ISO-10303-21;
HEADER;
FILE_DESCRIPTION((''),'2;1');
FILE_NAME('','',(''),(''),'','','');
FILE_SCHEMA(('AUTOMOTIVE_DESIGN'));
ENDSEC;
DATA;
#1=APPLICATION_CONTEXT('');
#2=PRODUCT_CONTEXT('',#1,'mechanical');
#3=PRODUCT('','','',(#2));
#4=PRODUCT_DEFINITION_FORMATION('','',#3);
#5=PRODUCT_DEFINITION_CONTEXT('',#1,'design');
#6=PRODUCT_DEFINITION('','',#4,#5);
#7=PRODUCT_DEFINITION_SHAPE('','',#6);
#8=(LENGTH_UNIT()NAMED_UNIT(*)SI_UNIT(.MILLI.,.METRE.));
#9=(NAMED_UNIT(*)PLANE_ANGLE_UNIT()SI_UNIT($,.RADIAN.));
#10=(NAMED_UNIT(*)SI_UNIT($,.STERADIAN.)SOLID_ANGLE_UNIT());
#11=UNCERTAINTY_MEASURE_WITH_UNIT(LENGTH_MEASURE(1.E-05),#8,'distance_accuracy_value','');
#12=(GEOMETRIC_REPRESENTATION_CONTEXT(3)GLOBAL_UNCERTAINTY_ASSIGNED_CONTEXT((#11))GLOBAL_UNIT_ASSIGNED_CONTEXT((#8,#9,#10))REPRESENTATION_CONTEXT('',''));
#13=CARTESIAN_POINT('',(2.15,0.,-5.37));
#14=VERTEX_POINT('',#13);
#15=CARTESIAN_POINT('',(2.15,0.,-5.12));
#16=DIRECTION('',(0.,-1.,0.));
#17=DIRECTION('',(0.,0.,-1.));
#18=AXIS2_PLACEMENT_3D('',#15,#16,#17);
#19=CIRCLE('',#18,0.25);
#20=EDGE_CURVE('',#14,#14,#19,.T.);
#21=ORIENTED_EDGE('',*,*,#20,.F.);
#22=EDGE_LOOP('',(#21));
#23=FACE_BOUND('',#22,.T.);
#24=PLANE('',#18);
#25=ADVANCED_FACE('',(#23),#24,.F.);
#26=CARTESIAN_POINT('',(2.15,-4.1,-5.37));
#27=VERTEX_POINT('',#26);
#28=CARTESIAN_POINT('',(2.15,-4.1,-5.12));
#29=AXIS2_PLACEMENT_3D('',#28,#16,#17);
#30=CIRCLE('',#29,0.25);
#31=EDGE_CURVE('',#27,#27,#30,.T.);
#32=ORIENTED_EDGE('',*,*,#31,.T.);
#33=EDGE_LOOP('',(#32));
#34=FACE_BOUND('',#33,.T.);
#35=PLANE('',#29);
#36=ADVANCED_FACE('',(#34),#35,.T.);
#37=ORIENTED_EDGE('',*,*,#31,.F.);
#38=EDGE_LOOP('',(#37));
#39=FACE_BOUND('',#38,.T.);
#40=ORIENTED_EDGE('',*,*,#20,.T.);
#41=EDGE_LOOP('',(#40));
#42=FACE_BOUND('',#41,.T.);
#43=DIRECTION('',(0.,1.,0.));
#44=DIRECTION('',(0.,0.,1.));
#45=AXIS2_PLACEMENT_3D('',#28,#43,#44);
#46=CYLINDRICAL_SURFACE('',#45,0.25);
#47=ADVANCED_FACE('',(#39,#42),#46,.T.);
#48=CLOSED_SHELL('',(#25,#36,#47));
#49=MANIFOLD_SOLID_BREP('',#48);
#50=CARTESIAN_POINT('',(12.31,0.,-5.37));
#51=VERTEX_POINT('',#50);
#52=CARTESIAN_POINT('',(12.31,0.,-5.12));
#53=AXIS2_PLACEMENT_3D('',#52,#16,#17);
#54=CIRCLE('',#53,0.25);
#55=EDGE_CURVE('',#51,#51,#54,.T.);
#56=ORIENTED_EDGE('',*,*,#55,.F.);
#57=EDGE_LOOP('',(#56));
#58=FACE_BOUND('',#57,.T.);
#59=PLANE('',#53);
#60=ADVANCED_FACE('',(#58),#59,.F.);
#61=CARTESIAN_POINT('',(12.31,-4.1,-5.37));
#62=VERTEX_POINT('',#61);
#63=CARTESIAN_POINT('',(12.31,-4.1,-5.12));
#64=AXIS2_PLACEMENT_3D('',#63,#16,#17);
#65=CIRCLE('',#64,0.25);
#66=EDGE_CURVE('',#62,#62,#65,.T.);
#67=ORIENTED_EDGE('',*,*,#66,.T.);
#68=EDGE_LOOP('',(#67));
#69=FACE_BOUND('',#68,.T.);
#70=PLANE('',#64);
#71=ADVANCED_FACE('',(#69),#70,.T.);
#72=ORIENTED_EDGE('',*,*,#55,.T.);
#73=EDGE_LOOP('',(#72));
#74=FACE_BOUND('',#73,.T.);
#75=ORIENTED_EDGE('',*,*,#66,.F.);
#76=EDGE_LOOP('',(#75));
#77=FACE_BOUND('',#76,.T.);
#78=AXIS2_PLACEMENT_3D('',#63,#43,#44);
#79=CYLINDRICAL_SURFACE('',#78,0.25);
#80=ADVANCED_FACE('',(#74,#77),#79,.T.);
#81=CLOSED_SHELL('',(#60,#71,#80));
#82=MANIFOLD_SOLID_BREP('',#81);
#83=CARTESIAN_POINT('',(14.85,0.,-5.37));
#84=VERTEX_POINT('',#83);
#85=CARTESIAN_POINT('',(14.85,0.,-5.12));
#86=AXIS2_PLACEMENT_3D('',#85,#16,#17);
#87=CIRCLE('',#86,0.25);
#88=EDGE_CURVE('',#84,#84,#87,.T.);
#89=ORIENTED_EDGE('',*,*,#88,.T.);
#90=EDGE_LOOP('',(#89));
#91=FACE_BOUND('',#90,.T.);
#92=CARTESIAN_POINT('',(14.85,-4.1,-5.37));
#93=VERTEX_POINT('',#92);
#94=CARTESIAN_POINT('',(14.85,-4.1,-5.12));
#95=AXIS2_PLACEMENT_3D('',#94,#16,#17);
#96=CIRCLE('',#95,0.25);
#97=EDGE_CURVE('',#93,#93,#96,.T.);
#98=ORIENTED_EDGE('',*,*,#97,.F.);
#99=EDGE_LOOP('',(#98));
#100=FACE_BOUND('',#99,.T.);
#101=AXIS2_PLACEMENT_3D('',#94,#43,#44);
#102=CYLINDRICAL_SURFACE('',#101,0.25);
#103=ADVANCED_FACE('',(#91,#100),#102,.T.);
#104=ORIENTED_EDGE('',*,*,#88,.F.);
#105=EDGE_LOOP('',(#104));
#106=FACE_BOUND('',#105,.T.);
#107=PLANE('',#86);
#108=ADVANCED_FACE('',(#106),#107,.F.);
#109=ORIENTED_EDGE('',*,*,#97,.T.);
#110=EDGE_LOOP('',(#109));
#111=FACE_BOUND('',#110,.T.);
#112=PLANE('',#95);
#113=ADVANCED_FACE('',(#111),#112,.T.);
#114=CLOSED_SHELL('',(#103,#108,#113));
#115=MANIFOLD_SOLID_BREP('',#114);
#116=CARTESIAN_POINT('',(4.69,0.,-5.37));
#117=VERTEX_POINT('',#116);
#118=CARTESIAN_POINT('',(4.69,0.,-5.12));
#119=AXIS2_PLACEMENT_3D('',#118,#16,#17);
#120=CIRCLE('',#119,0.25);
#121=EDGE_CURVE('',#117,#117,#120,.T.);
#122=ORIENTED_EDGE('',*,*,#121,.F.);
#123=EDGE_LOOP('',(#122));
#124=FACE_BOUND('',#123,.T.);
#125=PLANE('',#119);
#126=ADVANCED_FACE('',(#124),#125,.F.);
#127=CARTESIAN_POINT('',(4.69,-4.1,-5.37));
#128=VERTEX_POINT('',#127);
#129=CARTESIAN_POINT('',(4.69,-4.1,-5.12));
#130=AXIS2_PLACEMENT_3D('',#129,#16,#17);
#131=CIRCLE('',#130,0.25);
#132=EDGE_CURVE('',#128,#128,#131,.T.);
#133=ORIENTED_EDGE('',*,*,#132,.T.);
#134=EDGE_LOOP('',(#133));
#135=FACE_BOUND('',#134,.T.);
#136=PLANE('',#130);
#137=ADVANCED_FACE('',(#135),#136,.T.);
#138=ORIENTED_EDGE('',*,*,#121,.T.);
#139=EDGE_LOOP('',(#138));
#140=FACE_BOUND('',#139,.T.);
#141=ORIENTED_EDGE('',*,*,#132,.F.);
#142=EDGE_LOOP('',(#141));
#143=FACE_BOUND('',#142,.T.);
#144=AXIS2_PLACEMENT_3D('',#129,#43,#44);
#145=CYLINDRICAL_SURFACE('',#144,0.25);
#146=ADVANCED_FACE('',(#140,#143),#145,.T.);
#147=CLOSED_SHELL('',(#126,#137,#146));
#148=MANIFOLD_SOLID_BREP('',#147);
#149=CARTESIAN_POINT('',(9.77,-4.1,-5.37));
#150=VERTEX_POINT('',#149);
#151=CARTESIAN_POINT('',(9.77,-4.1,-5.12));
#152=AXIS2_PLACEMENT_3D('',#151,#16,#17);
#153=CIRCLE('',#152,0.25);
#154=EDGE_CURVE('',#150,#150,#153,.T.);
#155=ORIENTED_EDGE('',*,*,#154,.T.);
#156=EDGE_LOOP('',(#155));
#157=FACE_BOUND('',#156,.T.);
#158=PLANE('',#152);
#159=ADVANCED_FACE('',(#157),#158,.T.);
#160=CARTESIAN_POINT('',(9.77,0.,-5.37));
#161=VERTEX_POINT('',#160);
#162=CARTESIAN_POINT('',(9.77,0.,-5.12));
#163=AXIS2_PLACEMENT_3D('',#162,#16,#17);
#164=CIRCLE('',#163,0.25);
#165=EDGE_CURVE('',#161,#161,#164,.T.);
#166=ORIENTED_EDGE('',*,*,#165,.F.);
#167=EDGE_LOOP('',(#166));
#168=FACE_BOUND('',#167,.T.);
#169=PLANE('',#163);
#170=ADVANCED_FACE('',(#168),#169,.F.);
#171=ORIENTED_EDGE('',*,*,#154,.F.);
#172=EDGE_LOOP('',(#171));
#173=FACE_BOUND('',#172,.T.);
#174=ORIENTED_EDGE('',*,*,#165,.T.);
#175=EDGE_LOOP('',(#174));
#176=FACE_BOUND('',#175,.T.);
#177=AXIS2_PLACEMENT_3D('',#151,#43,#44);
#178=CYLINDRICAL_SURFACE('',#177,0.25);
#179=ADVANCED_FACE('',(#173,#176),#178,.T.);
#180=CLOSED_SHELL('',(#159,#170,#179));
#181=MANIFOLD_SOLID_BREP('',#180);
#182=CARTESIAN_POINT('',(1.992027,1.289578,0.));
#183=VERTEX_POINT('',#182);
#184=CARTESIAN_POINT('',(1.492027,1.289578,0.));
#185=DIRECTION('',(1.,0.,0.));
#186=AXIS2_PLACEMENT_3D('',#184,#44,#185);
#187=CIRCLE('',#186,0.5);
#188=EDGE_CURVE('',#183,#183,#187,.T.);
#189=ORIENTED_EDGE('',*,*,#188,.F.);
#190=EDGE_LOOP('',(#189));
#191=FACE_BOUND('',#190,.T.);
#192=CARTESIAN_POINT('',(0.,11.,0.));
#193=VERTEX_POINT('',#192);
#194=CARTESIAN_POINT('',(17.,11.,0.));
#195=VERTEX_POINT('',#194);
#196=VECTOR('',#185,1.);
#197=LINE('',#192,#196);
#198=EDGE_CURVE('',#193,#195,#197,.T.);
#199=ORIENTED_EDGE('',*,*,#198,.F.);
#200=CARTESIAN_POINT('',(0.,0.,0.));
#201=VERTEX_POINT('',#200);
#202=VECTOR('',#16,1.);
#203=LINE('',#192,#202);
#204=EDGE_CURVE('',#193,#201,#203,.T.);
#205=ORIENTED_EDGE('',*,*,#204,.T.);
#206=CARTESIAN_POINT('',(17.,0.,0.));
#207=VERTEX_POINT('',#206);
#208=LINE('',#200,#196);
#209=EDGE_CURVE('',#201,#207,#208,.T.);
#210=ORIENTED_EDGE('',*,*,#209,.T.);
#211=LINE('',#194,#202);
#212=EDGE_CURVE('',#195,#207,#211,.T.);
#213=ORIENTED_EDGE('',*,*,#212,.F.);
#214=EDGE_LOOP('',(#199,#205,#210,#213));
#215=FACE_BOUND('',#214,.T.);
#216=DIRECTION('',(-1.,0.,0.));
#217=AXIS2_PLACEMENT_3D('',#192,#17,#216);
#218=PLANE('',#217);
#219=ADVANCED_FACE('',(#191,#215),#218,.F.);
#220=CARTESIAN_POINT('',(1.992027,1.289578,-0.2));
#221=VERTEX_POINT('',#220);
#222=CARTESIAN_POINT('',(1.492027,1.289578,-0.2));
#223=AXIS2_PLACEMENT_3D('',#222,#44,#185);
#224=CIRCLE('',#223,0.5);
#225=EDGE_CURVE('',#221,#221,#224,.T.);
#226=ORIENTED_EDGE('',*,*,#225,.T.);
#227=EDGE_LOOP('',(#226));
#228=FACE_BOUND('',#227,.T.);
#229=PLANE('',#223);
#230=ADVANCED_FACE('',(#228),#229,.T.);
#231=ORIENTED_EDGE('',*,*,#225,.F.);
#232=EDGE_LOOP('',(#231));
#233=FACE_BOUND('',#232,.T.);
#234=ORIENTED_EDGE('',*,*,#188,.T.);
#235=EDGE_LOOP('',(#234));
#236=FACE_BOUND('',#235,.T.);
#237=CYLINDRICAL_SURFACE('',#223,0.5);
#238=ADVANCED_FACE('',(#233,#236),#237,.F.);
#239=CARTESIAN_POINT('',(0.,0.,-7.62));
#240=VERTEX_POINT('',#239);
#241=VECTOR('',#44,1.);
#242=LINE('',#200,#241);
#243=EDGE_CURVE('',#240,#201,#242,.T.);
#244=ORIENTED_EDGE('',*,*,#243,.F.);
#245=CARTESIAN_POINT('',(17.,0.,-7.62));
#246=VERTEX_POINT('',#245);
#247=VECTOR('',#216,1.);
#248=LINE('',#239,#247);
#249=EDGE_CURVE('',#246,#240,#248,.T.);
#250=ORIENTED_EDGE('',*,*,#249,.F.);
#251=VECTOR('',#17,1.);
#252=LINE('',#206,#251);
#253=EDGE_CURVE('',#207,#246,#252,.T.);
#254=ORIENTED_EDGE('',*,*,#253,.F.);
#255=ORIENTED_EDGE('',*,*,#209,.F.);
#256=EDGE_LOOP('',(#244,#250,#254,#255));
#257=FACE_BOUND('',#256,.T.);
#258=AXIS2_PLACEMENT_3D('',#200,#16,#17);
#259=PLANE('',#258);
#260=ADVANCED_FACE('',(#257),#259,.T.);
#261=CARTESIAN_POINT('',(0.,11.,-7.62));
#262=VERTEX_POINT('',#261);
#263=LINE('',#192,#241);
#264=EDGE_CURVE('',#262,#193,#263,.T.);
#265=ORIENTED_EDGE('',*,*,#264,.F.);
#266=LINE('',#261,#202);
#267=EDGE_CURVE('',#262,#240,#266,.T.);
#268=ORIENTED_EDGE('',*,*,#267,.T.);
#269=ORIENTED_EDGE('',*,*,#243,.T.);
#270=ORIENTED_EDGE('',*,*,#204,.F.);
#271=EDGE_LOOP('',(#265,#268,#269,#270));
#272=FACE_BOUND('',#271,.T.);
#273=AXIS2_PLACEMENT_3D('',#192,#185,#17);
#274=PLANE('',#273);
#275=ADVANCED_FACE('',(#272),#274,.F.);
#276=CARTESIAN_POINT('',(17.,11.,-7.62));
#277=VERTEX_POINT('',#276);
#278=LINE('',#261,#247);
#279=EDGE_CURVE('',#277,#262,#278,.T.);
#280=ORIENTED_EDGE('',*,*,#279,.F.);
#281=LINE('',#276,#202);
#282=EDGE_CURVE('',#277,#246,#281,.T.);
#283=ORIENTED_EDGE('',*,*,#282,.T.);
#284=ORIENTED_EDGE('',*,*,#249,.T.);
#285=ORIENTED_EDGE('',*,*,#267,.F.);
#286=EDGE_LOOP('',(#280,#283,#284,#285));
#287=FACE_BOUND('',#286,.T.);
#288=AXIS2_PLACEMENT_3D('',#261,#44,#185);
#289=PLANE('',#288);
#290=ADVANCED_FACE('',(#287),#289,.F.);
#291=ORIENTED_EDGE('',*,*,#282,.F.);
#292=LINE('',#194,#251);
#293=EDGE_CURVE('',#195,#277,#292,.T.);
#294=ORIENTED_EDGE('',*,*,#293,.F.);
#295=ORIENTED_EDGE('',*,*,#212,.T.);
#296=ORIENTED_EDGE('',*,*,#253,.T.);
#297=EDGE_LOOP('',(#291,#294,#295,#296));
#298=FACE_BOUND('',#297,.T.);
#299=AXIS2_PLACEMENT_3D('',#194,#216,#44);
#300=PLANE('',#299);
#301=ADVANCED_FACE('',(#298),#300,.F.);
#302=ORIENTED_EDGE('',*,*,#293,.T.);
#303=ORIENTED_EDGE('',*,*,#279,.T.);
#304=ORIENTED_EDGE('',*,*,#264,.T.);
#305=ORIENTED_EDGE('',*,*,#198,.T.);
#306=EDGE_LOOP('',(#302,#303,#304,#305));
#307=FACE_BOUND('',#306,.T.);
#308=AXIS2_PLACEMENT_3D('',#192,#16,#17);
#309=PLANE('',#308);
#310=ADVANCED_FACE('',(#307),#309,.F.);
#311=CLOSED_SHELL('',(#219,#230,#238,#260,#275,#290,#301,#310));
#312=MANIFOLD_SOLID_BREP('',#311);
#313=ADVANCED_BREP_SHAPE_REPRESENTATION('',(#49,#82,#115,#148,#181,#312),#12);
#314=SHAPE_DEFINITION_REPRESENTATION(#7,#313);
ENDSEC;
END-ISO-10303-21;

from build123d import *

# Parameters (mm, degrees)
SKETCH1_W             = 17
SKETCH1_H             = 7.62
BOSS_EXTRUDE1_DEPTH   = 11
SKETCH2_R             = 0.25
BOSS_EXTRUDE2_DEPTH   = 4.1
BOSS_EXTRUDE2_2_DEPTH = 4.1
BOSS_EXTRUDE2_3_DEPTH = 4.1
BOSS_EXTRUDE2_4_DEPTH = 4.1
BOSS_EXTRUDE2_5_DEPTH = 4.1
SKETCH3_R             = 0.5
CUT_EXTRUDE1_DEPTH    = 0.2


with BuildPart() as part:
    # Sketch1 → Boss-Extrude1 (new body)
    with BuildSketch(Plane(origin=(0, 0, 0), x_dir=(1, 0, 0), z_dir=(0, 1, 0))):
        with Locations((8.5, 3.81)):
            Rectangle(SKETCH1_W, SKETCH1_H)
    extrude(amount=BOSS_EXTRUDE1_DEPTH)

    # Sketch3 → Cut-Extrude1 (cut)
    with BuildSketch(Plane.XY):
        with Locations((1.492027109, 1.289577557)):
            Circle(SKETCH3_R)
    extrude(amount=-CUT_EXTRUDE1_DEPTH, mode=Mode.SUBTRACT)


with BuildPart() as body_2:
    # Sketch2 → Boss-Extrude2 (new body)
    with BuildSketch(Plane.XZ):
        with Locations((2.15, -5.12)):
            Circle(SKETCH2_R)
    extrude(amount=BOSS_EXTRUDE2_DEPTH)


with BuildPart() as body_3:
    # Sketch2 → Boss-Extrude2 2 (new body)
    with BuildSketch(Plane.XZ):
        with Locations((4.69, -5.12)):
            Circle(SKETCH2_R)
    extrude(amount=BOSS_EXTRUDE2_2_DEPTH)


with BuildPart() as body_4:
    # Sketch2 → Boss-Extrude2 3 (new body)
    with BuildSketch(Plane.XZ):
        with Locations((9.77, -5.12)):
            Circle(SKETCH2_R)
    extrude(amount=BOSS_EXTRUDE2_3_DEPTH)


with BuildPart() as body_5:
    # Sketch2 → Boss-Extrude2 4 (new body)
    with BuildSketch(Plane.XZ):
        with Locations((12.31, -5.12)):
            Circle(SKETCH2_R)
    extrude(amount=BOSS_EXTRUDE2_4_DEPTH)


with BuildPart() as body_6:
    # Sketch2 → Boss-Extrude2 5 (new body)
    with BuildSketch(Plane.XZ):
        with Locations((14.85, -5.12)):
            Circle(SKETCH2_R)
    extrude(amount=BOSS_EXTRUDE2_5_DEPTH)


solid = Compound([part.part, body_2.part, body_3.part, body_4.part, body_5.part, body_6.part])
